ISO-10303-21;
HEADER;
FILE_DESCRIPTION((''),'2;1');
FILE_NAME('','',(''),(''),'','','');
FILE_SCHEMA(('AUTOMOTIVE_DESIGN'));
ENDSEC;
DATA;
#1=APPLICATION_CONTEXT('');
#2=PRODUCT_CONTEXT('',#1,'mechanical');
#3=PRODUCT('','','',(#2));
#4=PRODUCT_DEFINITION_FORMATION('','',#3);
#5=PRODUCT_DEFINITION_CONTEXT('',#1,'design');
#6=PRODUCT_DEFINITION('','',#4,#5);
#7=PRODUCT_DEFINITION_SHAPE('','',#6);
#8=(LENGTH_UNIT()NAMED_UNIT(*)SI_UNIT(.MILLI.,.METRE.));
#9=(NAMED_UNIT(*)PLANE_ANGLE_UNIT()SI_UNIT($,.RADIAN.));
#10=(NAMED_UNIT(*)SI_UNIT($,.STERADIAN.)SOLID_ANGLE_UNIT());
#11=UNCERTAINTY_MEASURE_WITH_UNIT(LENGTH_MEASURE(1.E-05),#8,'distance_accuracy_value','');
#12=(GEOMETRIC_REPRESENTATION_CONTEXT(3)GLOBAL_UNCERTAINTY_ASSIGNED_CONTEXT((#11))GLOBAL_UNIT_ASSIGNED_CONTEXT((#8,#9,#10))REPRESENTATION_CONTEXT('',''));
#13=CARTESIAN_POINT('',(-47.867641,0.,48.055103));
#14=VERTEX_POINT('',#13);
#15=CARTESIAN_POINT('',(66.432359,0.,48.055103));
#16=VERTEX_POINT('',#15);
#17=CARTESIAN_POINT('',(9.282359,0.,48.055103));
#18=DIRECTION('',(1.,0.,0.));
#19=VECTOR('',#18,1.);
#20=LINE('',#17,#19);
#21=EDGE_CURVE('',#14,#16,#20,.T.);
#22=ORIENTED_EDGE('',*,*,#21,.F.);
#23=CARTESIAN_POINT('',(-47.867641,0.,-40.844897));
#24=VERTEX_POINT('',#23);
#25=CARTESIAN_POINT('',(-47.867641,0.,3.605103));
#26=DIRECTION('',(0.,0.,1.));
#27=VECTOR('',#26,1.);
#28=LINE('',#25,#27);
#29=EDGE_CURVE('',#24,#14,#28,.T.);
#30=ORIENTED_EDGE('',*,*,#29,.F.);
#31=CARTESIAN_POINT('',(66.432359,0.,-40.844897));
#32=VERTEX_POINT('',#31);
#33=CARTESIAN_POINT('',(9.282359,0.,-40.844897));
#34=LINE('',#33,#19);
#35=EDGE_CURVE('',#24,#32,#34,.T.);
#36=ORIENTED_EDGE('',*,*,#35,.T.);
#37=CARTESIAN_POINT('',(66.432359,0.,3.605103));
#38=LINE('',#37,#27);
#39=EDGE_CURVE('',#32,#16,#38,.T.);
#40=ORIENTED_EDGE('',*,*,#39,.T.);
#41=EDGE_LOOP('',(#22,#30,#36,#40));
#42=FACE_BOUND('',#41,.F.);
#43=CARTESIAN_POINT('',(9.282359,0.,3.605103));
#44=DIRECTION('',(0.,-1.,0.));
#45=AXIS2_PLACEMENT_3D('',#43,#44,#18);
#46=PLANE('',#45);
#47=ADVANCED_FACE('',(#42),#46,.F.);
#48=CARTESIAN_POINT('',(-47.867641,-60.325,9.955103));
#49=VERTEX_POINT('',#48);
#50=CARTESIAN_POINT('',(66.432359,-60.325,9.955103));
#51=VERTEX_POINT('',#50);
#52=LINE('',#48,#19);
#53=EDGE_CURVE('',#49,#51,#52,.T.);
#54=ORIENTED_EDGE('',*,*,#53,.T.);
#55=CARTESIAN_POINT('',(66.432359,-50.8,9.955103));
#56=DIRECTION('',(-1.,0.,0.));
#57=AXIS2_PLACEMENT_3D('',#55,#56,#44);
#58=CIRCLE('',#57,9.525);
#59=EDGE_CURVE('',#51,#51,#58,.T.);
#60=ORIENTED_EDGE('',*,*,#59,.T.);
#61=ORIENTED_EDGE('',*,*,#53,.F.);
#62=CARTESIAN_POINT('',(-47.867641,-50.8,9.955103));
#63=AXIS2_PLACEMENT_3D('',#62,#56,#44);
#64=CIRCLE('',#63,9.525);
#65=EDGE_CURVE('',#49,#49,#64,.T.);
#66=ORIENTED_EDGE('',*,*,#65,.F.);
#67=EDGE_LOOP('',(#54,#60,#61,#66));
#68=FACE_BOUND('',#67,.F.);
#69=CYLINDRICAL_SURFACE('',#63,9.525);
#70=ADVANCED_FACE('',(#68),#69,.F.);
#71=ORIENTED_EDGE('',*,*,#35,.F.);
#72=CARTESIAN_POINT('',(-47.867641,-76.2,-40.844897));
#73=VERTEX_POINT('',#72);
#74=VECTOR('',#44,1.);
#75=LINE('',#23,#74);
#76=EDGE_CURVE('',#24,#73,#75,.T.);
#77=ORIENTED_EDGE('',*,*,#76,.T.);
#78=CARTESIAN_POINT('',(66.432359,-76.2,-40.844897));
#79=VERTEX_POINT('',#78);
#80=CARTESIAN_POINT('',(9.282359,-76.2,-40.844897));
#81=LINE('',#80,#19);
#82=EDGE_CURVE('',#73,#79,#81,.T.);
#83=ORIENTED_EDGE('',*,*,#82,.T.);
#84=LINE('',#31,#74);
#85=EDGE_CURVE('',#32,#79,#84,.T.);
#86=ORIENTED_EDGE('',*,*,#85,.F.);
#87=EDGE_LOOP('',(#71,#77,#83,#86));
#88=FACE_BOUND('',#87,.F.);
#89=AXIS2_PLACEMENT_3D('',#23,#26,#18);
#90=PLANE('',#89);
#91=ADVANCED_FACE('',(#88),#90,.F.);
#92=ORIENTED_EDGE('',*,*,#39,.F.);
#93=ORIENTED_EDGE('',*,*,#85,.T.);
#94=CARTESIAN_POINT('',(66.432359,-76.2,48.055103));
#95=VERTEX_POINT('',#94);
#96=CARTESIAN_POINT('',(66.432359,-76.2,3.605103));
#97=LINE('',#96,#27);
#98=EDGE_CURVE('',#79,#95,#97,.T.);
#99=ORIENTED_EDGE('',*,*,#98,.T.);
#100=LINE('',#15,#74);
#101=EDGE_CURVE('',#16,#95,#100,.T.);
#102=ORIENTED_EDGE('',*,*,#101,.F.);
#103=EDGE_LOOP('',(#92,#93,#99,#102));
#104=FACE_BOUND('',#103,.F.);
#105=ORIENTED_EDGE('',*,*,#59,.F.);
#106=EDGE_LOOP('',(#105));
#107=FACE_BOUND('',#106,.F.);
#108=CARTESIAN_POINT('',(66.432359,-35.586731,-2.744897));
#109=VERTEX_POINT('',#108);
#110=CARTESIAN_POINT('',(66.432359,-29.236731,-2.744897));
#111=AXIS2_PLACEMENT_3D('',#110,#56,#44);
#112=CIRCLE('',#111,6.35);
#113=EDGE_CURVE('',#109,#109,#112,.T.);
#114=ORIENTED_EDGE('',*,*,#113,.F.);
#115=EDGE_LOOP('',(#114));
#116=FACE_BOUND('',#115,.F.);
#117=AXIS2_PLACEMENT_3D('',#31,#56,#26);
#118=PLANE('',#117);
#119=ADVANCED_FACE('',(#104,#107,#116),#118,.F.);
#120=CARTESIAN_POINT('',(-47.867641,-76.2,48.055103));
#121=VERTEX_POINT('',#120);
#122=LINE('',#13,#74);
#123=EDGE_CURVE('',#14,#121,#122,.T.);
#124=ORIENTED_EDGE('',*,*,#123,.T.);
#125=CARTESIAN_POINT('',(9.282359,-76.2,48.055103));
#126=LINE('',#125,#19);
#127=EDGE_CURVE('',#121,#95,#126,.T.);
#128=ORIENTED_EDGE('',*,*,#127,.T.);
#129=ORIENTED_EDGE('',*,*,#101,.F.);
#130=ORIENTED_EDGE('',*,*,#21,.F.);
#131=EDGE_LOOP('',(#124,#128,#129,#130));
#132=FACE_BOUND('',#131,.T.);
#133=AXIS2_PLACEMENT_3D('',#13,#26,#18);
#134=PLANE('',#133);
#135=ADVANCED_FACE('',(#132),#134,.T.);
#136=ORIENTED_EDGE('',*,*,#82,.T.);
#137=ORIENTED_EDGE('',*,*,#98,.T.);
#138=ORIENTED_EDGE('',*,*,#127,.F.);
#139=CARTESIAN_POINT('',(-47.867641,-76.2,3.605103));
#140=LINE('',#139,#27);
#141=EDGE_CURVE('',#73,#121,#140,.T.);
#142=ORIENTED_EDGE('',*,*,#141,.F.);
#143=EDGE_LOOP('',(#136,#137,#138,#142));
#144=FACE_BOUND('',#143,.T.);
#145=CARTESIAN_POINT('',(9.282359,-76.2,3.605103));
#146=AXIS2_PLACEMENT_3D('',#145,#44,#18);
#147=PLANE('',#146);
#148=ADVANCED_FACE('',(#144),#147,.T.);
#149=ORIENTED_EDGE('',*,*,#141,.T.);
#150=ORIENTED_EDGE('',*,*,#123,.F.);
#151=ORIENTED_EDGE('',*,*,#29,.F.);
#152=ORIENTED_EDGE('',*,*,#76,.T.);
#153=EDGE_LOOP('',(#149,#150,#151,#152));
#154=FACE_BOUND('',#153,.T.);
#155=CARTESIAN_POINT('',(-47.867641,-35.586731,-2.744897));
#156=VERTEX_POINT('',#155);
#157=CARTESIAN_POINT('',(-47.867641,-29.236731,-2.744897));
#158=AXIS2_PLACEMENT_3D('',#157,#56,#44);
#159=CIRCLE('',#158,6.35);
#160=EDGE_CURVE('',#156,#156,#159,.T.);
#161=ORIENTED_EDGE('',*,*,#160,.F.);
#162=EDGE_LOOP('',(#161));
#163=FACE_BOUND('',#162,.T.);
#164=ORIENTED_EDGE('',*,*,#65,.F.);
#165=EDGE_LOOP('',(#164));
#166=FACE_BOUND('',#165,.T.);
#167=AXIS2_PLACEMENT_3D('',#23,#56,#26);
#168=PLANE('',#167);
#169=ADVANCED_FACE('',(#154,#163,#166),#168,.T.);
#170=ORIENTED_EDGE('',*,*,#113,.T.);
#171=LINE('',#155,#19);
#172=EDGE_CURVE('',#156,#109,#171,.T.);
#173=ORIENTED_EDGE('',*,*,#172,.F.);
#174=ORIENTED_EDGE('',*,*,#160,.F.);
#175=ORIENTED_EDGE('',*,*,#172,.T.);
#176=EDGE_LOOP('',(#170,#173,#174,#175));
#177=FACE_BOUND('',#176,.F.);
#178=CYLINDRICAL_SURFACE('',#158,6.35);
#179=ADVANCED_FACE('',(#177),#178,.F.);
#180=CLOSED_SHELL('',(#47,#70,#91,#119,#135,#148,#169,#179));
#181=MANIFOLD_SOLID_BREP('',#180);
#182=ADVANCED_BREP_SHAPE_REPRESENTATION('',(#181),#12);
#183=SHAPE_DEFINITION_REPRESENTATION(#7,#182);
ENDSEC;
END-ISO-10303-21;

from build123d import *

# Parameters (mm, degrees)
F0_W     = 114.3
F0_H     = 88.9
F1_DEPTH = 76.2
F2_R     = 9.525
F2_R_2   = 6.35
F3_DEPTH = 114.3


with BuildPart() as f1:
    # F0 (on Front) → F1 (new body)
    with BuildSketch(Plane.XZ):
        with Locations((9.282359, 3.605103)):
            Rectangle(F0_W, F0_H)
    extrude(amount=F1_DEPTH)

    # F2 (on face) → F3 (cut, through all)
    with BuildSketch(Plane(origin=(-47.867641, 0, 0), x_dir=(0, -1, 0), z_dir=(-1, 0, 0))):
        with Locations((50.8, 9.955103)):
            Circle(F2_R)
        with Locations((29.236731, -2.744897)):
            Circle(F2_R_2)
    extrude(amount=-F3_DEPTH, mode=Mode.SUBTRACT)


solid = f1.part
